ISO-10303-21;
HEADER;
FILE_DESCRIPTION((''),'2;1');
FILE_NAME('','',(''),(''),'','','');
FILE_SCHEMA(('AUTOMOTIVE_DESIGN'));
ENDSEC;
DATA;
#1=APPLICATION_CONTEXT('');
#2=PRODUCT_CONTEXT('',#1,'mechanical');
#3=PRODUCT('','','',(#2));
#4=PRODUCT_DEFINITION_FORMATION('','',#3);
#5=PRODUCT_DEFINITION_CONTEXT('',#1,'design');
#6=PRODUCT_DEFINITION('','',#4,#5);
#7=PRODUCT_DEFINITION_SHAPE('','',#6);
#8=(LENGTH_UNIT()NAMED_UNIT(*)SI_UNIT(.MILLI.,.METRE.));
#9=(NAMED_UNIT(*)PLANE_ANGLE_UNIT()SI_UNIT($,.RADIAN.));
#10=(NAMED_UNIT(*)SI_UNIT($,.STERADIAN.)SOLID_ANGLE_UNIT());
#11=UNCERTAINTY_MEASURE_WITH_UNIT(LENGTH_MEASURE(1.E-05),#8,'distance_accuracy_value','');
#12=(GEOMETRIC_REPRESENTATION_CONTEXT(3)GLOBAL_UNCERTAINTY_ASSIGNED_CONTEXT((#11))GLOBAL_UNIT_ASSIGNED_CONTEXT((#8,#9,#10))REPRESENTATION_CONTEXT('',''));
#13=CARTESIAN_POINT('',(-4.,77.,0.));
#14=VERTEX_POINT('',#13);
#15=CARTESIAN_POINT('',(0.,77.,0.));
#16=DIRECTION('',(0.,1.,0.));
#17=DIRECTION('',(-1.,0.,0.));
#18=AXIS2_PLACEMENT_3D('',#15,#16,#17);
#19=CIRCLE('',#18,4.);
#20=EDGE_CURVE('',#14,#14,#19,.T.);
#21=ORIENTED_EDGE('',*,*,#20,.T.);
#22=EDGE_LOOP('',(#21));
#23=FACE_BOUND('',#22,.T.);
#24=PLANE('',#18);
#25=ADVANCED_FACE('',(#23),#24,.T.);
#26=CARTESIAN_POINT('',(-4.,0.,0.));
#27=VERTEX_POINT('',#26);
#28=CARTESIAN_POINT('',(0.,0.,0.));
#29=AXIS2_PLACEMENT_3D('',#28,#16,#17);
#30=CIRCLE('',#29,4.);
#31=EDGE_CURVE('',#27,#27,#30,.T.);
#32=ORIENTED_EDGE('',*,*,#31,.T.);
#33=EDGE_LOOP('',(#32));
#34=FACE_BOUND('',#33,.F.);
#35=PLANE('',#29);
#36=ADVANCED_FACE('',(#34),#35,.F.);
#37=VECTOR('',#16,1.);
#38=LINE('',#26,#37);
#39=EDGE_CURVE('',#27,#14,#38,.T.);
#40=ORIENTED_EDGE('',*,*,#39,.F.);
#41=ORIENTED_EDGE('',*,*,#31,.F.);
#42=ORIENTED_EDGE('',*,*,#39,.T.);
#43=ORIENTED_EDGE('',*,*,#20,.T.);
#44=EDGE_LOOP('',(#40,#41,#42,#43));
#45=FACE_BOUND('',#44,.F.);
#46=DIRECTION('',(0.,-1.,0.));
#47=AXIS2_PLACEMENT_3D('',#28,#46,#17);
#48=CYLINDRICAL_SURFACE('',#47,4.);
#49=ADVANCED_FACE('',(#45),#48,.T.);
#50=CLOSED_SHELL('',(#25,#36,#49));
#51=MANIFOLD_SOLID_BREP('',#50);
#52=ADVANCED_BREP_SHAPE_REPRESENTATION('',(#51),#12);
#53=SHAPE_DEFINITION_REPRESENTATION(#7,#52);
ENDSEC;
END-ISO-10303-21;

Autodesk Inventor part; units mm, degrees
ref_plane "YZ Plane" through (0, 0, 0) normal (1, 0, 0) x (0, 1, 0)
ref_plane "XZ Plane" through (0, 0, 0) normal (0, 1, 0) x (-1, 0, 0)
ref_plane "XY Plane" through (0, 0, 0) normal (0, 0, 1) x (1, 0, 0)
sketch "Sketch1" plane through (0, 0, 0) normal (0, 1, 0) x (-1, 0, 0)
  circle A0 centre (0, 0) radius 4
  dimension "d0" = 8
extrude "Extrusion1" add sketch "Sketch1" along normal blind 77
properties part number "Ф8x77" material "アルミニウム 6061"
